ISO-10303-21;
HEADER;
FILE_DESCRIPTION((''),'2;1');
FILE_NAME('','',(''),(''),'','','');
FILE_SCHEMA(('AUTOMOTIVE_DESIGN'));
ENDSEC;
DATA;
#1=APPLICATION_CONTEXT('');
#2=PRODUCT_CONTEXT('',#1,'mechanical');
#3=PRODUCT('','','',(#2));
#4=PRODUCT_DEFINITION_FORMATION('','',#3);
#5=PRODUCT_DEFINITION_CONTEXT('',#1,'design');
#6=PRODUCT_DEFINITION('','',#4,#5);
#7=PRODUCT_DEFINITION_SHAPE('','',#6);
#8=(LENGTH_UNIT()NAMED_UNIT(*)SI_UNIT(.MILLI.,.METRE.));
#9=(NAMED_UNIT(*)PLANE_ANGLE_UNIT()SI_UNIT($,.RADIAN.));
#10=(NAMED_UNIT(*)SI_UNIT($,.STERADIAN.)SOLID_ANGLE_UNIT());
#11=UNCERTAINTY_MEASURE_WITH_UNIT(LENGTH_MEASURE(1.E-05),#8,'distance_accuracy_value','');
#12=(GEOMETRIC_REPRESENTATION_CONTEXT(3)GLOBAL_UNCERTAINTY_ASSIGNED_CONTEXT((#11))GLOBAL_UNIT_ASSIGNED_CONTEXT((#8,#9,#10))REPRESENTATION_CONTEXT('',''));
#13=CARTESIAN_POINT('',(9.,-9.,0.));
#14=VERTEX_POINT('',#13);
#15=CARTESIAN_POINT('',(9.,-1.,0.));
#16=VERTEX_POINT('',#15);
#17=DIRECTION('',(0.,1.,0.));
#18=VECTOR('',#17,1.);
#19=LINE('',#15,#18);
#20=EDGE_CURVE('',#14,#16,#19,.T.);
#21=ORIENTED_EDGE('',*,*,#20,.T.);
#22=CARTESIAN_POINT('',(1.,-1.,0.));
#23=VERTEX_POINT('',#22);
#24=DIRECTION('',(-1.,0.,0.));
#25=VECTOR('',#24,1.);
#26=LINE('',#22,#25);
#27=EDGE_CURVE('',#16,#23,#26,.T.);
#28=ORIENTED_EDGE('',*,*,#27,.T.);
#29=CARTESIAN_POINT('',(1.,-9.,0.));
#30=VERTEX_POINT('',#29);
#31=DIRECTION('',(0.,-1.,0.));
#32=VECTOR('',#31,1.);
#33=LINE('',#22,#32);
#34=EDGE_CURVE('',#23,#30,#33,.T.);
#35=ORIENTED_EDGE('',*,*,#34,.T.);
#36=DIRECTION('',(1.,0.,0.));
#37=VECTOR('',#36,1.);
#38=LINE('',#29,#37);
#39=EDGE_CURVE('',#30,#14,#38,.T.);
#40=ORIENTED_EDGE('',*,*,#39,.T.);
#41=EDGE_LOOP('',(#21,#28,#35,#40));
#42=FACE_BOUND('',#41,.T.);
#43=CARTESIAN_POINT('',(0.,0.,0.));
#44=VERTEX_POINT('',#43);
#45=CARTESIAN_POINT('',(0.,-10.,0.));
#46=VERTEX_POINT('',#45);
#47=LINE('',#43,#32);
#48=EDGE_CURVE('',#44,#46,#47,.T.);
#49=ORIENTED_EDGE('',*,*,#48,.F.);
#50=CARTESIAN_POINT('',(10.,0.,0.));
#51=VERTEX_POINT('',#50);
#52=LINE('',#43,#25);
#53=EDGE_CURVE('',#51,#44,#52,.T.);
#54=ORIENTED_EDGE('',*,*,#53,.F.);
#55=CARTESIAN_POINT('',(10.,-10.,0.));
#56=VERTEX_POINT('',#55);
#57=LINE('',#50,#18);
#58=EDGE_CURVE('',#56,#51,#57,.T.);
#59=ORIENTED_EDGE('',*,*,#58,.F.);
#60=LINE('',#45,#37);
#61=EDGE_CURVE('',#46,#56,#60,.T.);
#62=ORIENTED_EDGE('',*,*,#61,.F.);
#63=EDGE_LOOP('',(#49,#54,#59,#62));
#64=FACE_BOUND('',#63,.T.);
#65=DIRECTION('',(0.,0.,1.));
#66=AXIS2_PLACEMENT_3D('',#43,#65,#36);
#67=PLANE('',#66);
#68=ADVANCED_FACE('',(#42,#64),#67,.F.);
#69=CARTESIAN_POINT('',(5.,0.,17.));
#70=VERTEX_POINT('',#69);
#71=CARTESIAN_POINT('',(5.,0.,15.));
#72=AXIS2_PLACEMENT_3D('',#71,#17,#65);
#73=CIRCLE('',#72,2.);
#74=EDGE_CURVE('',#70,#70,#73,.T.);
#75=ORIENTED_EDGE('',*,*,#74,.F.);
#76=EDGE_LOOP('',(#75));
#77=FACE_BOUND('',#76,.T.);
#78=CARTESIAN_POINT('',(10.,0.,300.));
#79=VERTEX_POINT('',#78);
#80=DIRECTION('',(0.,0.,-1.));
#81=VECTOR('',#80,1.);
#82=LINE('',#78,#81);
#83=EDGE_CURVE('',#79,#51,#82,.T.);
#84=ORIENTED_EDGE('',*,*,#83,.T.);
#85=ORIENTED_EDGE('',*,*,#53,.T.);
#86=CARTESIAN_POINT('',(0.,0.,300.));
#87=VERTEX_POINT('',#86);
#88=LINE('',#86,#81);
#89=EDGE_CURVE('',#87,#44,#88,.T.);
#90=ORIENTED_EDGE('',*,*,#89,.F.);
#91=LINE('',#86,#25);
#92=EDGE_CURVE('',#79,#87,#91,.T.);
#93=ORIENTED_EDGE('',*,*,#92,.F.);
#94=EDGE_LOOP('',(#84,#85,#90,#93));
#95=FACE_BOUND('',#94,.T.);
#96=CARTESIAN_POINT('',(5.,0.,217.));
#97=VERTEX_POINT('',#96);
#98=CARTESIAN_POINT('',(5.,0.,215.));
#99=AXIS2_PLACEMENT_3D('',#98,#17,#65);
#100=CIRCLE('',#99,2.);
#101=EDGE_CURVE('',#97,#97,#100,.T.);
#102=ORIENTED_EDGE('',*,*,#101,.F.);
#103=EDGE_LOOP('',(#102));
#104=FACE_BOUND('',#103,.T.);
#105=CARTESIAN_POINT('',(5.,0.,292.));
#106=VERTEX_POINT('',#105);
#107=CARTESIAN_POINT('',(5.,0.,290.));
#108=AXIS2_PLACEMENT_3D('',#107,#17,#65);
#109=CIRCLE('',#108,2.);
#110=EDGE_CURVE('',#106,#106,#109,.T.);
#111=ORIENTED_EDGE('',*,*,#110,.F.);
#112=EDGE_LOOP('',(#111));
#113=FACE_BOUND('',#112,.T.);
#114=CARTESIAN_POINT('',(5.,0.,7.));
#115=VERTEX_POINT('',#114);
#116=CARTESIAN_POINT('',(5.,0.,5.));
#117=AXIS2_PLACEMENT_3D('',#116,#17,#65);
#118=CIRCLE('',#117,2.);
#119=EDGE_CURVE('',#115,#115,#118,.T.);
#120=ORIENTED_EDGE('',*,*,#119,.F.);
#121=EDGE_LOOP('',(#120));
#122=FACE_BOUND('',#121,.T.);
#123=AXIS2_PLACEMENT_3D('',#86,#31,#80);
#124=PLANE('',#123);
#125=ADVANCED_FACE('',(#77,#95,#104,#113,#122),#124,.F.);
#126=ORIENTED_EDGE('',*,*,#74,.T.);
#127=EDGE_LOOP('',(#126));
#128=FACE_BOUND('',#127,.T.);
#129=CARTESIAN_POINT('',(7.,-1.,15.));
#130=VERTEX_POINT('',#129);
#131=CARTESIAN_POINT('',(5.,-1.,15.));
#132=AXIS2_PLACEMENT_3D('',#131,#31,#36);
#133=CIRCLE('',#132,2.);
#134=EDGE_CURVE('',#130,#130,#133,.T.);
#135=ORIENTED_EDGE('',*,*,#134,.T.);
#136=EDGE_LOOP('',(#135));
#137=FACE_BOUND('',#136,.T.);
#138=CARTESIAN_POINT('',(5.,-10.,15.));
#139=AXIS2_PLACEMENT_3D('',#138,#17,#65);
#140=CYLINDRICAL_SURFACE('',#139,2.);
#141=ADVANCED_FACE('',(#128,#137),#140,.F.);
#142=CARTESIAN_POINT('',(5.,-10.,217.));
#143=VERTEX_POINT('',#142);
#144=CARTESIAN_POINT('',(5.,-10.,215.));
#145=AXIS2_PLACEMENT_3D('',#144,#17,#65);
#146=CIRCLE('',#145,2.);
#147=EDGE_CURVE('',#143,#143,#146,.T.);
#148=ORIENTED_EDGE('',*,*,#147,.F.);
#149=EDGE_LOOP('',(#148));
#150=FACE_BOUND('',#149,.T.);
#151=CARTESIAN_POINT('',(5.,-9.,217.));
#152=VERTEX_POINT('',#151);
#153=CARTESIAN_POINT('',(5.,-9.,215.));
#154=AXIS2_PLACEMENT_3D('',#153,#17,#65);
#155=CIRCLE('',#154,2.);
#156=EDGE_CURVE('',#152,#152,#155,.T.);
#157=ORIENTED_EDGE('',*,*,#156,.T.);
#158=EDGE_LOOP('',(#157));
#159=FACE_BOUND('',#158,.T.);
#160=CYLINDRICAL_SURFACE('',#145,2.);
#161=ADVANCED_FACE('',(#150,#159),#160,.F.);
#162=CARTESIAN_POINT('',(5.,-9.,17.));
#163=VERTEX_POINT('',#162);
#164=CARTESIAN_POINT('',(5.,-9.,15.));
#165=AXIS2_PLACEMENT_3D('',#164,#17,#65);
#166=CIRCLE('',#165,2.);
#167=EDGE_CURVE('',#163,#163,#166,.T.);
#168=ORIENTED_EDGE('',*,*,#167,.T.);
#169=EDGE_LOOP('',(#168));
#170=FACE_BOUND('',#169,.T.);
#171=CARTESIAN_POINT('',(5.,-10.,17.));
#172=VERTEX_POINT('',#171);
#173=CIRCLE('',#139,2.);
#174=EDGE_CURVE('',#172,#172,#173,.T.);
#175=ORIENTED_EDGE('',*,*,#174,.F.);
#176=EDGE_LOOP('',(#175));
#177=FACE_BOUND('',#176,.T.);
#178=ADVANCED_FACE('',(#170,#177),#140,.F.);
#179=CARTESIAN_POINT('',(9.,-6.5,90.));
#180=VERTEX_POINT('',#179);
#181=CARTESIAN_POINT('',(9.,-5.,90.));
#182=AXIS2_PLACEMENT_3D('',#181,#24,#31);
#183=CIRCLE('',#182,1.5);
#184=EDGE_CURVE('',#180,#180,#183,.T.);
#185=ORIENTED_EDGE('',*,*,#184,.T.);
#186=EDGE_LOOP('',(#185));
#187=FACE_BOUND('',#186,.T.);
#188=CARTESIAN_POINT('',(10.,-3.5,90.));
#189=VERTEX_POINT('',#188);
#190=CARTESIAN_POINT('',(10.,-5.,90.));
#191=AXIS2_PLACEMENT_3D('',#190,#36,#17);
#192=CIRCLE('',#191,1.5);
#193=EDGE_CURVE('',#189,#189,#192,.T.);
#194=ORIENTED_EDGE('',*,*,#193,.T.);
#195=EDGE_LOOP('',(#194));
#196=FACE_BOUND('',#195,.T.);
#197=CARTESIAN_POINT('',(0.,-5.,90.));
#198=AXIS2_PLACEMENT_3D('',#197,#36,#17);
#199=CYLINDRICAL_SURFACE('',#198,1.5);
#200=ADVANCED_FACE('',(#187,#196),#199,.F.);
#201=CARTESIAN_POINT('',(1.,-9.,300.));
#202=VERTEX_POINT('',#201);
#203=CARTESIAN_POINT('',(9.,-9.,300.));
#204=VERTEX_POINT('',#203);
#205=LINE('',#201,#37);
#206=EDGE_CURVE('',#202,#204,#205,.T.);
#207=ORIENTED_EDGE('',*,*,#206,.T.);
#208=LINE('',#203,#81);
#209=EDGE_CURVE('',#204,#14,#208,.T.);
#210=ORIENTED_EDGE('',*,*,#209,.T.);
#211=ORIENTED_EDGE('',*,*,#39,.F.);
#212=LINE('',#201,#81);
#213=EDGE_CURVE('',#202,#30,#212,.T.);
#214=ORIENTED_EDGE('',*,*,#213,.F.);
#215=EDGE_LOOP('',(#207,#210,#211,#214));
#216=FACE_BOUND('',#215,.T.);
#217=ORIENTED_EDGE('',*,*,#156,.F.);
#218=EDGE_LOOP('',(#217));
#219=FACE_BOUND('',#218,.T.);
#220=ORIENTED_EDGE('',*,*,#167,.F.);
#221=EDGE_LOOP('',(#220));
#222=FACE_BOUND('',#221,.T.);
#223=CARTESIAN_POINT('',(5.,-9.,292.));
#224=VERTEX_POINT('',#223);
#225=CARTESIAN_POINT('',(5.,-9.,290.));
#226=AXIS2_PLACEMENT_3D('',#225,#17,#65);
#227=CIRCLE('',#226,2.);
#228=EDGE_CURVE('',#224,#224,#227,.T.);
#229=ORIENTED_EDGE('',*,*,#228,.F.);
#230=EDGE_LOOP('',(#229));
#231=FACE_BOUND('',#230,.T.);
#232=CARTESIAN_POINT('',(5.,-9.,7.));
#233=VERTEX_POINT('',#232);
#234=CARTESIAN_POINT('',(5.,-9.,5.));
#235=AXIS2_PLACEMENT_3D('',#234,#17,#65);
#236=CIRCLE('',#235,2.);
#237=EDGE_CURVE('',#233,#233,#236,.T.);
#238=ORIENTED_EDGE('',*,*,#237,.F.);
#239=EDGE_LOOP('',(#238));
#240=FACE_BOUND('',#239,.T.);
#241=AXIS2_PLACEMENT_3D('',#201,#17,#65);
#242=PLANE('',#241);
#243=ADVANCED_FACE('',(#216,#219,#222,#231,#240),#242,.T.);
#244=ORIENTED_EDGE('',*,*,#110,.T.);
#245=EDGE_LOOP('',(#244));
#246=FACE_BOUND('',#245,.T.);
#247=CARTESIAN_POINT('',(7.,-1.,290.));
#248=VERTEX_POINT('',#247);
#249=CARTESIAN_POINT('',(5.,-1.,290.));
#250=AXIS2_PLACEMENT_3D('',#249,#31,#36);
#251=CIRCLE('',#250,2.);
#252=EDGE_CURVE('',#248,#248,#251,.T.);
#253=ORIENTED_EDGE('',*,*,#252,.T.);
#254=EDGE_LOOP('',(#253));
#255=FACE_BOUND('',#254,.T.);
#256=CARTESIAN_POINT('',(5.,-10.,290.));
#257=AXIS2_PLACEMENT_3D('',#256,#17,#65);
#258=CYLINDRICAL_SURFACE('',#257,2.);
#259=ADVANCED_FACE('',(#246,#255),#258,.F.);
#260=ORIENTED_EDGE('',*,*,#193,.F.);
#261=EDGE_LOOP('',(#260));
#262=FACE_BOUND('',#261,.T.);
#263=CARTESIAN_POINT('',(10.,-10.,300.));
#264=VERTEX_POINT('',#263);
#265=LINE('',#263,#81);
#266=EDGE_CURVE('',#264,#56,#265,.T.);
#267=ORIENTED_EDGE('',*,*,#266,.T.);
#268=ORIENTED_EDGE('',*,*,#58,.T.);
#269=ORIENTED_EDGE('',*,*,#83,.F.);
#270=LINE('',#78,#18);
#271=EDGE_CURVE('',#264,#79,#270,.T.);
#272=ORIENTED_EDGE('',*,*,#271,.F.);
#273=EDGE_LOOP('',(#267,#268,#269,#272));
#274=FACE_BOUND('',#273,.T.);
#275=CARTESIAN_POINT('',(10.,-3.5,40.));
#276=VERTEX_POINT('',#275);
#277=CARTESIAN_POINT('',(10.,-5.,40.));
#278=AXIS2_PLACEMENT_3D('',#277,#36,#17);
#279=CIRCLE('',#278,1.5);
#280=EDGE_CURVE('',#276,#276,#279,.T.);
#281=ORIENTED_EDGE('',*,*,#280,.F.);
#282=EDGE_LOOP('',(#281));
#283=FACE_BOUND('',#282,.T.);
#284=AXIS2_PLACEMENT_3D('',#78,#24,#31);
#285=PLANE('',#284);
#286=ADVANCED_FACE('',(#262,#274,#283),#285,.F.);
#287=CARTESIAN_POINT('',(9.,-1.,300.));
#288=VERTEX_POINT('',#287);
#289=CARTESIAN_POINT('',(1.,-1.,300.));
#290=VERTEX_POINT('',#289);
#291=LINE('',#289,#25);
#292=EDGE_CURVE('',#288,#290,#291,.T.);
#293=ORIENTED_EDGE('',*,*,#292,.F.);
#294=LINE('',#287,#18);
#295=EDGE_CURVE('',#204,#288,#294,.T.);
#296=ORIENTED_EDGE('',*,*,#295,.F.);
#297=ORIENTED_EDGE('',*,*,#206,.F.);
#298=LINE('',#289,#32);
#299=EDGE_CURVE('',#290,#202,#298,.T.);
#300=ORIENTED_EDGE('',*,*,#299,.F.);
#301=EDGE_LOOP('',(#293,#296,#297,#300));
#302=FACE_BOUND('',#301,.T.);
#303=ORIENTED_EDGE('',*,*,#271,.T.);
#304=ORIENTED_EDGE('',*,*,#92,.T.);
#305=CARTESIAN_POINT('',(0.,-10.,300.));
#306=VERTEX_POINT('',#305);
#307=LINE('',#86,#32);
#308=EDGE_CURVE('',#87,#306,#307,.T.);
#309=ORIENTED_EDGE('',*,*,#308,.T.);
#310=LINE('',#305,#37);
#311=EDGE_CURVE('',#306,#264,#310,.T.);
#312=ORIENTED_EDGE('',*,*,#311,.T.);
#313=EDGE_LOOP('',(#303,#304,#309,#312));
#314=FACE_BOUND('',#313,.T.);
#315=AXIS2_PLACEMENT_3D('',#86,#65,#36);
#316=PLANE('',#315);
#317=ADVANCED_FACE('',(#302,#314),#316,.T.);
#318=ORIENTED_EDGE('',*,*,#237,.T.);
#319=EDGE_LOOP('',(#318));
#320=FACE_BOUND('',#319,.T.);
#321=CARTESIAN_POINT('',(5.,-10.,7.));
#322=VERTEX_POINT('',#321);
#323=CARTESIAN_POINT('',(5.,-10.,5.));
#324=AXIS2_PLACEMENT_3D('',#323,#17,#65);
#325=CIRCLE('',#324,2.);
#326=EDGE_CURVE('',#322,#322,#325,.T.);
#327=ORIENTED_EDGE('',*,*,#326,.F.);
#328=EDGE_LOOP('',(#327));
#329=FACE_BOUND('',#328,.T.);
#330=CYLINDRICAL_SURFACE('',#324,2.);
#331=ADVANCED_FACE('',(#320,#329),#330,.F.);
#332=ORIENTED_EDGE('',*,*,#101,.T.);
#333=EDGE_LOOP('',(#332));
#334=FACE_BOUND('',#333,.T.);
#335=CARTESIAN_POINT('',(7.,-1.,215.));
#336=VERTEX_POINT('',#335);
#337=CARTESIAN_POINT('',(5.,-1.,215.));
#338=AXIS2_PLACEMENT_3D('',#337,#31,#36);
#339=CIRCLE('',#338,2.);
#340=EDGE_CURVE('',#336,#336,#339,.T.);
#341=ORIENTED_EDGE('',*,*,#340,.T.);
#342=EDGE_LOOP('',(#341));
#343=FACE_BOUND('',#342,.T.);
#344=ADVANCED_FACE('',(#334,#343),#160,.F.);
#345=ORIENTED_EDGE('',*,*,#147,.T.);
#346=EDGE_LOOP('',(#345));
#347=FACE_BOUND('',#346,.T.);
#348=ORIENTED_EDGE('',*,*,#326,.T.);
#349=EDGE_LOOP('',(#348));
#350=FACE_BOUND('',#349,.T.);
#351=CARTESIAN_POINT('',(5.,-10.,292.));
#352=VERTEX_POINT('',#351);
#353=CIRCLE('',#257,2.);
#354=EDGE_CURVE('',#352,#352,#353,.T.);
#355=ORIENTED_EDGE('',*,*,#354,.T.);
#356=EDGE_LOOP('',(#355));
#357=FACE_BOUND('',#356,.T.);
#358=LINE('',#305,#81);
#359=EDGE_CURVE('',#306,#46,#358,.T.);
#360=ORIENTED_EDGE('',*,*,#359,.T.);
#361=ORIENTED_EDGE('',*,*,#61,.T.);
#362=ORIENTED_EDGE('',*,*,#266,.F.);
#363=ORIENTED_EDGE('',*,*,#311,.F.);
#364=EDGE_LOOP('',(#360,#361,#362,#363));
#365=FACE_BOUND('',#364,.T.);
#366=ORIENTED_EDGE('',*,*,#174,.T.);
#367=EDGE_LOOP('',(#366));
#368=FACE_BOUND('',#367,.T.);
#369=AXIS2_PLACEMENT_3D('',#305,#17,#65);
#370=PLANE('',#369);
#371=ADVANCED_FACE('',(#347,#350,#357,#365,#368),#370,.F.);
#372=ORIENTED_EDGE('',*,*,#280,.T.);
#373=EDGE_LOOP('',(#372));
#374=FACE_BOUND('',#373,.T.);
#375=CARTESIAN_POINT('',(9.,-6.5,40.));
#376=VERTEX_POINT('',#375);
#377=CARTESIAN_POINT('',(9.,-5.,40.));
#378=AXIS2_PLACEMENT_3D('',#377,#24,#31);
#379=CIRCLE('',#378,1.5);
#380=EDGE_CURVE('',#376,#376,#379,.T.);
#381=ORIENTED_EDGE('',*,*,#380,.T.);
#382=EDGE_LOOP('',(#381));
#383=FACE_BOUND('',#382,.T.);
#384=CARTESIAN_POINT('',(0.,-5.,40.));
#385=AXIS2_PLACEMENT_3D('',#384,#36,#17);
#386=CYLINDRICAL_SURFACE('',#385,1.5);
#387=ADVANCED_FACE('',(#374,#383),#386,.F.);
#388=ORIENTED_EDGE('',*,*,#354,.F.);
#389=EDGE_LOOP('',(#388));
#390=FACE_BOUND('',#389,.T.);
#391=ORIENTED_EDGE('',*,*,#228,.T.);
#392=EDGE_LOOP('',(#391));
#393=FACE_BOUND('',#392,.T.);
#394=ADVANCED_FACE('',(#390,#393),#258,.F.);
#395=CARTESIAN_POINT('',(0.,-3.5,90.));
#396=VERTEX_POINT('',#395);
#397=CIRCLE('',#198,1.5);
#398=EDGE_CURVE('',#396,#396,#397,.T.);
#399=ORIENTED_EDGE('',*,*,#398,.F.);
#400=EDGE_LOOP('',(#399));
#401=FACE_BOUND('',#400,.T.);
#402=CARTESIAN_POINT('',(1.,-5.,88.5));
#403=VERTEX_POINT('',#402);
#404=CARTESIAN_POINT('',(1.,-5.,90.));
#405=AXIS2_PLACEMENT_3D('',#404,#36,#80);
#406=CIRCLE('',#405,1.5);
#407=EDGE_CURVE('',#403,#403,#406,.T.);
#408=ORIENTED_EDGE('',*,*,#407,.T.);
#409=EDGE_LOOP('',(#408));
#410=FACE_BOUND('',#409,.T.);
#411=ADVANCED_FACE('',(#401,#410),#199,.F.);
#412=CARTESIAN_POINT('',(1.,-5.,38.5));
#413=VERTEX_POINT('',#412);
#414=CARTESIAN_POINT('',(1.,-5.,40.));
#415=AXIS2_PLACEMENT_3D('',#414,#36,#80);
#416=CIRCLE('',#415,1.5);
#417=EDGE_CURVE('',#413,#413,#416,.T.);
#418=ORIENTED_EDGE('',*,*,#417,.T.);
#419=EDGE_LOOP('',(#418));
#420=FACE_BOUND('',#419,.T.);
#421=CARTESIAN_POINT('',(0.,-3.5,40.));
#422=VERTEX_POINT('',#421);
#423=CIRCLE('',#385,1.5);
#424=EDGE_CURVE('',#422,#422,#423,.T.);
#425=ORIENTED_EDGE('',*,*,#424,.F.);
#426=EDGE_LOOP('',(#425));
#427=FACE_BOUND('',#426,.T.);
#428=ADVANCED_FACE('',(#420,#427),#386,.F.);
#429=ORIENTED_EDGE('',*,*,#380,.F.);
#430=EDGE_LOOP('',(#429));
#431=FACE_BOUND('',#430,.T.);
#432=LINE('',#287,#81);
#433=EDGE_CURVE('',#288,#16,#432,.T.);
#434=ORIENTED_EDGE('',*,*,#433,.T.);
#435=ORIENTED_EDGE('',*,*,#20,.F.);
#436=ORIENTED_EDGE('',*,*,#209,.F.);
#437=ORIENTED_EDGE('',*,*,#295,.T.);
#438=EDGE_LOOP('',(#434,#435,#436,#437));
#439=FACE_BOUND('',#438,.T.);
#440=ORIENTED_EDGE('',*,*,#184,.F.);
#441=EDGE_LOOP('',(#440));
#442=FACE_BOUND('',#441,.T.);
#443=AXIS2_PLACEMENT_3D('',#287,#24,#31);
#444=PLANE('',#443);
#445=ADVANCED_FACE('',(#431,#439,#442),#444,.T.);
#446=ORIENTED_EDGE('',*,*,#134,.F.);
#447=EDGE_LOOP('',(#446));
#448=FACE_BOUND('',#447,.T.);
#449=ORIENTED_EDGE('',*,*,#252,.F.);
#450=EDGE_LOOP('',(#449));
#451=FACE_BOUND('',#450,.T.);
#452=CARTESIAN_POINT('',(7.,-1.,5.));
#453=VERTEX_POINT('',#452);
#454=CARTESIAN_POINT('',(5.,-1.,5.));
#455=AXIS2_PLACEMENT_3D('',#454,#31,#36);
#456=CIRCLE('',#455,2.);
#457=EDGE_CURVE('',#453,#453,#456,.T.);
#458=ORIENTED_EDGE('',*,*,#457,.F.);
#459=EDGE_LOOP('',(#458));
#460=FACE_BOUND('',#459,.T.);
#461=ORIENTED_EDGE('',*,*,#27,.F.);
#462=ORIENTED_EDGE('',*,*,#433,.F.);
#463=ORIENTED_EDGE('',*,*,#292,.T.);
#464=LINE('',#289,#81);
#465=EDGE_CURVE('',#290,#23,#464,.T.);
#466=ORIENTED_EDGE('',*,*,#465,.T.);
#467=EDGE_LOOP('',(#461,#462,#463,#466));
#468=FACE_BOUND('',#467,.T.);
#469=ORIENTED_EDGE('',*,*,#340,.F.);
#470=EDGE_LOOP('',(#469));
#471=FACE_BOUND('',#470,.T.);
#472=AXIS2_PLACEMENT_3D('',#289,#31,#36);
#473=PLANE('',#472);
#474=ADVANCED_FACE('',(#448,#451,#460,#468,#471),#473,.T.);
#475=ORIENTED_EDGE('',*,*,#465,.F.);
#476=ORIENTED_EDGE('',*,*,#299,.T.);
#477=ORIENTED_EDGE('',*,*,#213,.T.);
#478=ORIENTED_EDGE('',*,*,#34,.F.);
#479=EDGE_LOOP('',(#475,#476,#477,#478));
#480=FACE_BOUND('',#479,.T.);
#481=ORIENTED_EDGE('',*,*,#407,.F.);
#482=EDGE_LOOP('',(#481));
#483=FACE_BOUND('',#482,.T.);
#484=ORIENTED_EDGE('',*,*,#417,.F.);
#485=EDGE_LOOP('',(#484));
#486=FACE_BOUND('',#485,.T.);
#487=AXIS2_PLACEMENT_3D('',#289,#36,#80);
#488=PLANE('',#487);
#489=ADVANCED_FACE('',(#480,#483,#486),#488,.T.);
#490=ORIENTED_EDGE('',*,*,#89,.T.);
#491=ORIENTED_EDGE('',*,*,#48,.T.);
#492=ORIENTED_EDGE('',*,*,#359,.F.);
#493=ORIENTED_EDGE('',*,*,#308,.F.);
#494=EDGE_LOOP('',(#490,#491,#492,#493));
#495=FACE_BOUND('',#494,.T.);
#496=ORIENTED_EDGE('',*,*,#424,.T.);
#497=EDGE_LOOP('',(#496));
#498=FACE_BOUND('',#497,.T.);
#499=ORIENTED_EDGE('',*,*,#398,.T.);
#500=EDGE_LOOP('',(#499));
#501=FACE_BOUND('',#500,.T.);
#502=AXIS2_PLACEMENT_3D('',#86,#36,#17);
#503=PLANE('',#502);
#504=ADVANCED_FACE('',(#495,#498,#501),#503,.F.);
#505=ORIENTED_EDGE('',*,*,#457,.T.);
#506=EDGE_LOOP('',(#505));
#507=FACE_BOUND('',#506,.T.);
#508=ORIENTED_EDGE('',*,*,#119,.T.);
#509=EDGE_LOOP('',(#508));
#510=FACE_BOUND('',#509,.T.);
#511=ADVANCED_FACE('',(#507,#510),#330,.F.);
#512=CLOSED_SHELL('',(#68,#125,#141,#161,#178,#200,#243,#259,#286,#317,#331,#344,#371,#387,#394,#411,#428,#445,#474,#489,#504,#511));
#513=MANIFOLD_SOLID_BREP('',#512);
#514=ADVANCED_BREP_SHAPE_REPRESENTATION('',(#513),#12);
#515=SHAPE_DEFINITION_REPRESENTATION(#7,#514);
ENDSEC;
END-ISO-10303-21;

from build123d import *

# Parameters (mm, degrees)
SKETCH_1_W          = 10
SKETCH_1_H          = 10
SKETCH_1_W_2        = 8
SKETCH_1_H_2        = 8
EXTRUDE_1_DEPTH     = 300
SKETCH_2_R          = 2
CUT_EXTRUDE_1_DEPTH = 11
SKETCH_3_R          = 1.5
CUT_EXTRUDE_2_DEPTH = 11


with BuildPart() as part:
    # Эскиз1 → Бобышка-Вытянуть1 (new body)
    with BuildSketch(Plane.XY):
        with Locations((5, -5)):
            Rectangle(SKETCH_1_W, SKETCH_1_H)
        with Locations((5, -5)):
            Rectangle(SKETCH_1_W_2, SKETCH_1_H_2, mode=Mode.SUBTRACT)
    extrude(amount=EXTRUDE_1_DEPTH)

    # Эскиз2 → Вырез-Вытянуть1 (cut, through all)
    with BuildSketch(Plane(origin=(0, 0, 0), x_dir=(1, 0, 0), z_dir=(0, 1, 0))):
        with Locations((5, -5)):
            Circle(SKETCH_2_R)
        with Locations((5, -15)):
            Circle(SKETCH_2_R)
        with Locations((5, -290)):
            Circle(SKETCH_2_R)
        with Locations((5, -215)):
            Circle(SKETCH_2_R)
    extrude(amount=-CUT_EXTRUDE_1_DEPTH, mode=Mode.SUBTRACT)

    # Эскиз3 → Вырез-Вытянуть2 (cut, through all)
    with BuildSketch(Plane(origin=(10, 0, 0), x_dir=(0, 0, -1), z_dir=(1, 0, 0))):
        with Locations((-40, -5)):
            Circle(SKETCH_3_R)
        with Locations((-90, -5)):
            Circle(SKETCH_3_R)
    extrude(amount=-CUT_EXTRUDE_2_DEPTH, mode=Mode.SUBTRACT)


solid = part.part
